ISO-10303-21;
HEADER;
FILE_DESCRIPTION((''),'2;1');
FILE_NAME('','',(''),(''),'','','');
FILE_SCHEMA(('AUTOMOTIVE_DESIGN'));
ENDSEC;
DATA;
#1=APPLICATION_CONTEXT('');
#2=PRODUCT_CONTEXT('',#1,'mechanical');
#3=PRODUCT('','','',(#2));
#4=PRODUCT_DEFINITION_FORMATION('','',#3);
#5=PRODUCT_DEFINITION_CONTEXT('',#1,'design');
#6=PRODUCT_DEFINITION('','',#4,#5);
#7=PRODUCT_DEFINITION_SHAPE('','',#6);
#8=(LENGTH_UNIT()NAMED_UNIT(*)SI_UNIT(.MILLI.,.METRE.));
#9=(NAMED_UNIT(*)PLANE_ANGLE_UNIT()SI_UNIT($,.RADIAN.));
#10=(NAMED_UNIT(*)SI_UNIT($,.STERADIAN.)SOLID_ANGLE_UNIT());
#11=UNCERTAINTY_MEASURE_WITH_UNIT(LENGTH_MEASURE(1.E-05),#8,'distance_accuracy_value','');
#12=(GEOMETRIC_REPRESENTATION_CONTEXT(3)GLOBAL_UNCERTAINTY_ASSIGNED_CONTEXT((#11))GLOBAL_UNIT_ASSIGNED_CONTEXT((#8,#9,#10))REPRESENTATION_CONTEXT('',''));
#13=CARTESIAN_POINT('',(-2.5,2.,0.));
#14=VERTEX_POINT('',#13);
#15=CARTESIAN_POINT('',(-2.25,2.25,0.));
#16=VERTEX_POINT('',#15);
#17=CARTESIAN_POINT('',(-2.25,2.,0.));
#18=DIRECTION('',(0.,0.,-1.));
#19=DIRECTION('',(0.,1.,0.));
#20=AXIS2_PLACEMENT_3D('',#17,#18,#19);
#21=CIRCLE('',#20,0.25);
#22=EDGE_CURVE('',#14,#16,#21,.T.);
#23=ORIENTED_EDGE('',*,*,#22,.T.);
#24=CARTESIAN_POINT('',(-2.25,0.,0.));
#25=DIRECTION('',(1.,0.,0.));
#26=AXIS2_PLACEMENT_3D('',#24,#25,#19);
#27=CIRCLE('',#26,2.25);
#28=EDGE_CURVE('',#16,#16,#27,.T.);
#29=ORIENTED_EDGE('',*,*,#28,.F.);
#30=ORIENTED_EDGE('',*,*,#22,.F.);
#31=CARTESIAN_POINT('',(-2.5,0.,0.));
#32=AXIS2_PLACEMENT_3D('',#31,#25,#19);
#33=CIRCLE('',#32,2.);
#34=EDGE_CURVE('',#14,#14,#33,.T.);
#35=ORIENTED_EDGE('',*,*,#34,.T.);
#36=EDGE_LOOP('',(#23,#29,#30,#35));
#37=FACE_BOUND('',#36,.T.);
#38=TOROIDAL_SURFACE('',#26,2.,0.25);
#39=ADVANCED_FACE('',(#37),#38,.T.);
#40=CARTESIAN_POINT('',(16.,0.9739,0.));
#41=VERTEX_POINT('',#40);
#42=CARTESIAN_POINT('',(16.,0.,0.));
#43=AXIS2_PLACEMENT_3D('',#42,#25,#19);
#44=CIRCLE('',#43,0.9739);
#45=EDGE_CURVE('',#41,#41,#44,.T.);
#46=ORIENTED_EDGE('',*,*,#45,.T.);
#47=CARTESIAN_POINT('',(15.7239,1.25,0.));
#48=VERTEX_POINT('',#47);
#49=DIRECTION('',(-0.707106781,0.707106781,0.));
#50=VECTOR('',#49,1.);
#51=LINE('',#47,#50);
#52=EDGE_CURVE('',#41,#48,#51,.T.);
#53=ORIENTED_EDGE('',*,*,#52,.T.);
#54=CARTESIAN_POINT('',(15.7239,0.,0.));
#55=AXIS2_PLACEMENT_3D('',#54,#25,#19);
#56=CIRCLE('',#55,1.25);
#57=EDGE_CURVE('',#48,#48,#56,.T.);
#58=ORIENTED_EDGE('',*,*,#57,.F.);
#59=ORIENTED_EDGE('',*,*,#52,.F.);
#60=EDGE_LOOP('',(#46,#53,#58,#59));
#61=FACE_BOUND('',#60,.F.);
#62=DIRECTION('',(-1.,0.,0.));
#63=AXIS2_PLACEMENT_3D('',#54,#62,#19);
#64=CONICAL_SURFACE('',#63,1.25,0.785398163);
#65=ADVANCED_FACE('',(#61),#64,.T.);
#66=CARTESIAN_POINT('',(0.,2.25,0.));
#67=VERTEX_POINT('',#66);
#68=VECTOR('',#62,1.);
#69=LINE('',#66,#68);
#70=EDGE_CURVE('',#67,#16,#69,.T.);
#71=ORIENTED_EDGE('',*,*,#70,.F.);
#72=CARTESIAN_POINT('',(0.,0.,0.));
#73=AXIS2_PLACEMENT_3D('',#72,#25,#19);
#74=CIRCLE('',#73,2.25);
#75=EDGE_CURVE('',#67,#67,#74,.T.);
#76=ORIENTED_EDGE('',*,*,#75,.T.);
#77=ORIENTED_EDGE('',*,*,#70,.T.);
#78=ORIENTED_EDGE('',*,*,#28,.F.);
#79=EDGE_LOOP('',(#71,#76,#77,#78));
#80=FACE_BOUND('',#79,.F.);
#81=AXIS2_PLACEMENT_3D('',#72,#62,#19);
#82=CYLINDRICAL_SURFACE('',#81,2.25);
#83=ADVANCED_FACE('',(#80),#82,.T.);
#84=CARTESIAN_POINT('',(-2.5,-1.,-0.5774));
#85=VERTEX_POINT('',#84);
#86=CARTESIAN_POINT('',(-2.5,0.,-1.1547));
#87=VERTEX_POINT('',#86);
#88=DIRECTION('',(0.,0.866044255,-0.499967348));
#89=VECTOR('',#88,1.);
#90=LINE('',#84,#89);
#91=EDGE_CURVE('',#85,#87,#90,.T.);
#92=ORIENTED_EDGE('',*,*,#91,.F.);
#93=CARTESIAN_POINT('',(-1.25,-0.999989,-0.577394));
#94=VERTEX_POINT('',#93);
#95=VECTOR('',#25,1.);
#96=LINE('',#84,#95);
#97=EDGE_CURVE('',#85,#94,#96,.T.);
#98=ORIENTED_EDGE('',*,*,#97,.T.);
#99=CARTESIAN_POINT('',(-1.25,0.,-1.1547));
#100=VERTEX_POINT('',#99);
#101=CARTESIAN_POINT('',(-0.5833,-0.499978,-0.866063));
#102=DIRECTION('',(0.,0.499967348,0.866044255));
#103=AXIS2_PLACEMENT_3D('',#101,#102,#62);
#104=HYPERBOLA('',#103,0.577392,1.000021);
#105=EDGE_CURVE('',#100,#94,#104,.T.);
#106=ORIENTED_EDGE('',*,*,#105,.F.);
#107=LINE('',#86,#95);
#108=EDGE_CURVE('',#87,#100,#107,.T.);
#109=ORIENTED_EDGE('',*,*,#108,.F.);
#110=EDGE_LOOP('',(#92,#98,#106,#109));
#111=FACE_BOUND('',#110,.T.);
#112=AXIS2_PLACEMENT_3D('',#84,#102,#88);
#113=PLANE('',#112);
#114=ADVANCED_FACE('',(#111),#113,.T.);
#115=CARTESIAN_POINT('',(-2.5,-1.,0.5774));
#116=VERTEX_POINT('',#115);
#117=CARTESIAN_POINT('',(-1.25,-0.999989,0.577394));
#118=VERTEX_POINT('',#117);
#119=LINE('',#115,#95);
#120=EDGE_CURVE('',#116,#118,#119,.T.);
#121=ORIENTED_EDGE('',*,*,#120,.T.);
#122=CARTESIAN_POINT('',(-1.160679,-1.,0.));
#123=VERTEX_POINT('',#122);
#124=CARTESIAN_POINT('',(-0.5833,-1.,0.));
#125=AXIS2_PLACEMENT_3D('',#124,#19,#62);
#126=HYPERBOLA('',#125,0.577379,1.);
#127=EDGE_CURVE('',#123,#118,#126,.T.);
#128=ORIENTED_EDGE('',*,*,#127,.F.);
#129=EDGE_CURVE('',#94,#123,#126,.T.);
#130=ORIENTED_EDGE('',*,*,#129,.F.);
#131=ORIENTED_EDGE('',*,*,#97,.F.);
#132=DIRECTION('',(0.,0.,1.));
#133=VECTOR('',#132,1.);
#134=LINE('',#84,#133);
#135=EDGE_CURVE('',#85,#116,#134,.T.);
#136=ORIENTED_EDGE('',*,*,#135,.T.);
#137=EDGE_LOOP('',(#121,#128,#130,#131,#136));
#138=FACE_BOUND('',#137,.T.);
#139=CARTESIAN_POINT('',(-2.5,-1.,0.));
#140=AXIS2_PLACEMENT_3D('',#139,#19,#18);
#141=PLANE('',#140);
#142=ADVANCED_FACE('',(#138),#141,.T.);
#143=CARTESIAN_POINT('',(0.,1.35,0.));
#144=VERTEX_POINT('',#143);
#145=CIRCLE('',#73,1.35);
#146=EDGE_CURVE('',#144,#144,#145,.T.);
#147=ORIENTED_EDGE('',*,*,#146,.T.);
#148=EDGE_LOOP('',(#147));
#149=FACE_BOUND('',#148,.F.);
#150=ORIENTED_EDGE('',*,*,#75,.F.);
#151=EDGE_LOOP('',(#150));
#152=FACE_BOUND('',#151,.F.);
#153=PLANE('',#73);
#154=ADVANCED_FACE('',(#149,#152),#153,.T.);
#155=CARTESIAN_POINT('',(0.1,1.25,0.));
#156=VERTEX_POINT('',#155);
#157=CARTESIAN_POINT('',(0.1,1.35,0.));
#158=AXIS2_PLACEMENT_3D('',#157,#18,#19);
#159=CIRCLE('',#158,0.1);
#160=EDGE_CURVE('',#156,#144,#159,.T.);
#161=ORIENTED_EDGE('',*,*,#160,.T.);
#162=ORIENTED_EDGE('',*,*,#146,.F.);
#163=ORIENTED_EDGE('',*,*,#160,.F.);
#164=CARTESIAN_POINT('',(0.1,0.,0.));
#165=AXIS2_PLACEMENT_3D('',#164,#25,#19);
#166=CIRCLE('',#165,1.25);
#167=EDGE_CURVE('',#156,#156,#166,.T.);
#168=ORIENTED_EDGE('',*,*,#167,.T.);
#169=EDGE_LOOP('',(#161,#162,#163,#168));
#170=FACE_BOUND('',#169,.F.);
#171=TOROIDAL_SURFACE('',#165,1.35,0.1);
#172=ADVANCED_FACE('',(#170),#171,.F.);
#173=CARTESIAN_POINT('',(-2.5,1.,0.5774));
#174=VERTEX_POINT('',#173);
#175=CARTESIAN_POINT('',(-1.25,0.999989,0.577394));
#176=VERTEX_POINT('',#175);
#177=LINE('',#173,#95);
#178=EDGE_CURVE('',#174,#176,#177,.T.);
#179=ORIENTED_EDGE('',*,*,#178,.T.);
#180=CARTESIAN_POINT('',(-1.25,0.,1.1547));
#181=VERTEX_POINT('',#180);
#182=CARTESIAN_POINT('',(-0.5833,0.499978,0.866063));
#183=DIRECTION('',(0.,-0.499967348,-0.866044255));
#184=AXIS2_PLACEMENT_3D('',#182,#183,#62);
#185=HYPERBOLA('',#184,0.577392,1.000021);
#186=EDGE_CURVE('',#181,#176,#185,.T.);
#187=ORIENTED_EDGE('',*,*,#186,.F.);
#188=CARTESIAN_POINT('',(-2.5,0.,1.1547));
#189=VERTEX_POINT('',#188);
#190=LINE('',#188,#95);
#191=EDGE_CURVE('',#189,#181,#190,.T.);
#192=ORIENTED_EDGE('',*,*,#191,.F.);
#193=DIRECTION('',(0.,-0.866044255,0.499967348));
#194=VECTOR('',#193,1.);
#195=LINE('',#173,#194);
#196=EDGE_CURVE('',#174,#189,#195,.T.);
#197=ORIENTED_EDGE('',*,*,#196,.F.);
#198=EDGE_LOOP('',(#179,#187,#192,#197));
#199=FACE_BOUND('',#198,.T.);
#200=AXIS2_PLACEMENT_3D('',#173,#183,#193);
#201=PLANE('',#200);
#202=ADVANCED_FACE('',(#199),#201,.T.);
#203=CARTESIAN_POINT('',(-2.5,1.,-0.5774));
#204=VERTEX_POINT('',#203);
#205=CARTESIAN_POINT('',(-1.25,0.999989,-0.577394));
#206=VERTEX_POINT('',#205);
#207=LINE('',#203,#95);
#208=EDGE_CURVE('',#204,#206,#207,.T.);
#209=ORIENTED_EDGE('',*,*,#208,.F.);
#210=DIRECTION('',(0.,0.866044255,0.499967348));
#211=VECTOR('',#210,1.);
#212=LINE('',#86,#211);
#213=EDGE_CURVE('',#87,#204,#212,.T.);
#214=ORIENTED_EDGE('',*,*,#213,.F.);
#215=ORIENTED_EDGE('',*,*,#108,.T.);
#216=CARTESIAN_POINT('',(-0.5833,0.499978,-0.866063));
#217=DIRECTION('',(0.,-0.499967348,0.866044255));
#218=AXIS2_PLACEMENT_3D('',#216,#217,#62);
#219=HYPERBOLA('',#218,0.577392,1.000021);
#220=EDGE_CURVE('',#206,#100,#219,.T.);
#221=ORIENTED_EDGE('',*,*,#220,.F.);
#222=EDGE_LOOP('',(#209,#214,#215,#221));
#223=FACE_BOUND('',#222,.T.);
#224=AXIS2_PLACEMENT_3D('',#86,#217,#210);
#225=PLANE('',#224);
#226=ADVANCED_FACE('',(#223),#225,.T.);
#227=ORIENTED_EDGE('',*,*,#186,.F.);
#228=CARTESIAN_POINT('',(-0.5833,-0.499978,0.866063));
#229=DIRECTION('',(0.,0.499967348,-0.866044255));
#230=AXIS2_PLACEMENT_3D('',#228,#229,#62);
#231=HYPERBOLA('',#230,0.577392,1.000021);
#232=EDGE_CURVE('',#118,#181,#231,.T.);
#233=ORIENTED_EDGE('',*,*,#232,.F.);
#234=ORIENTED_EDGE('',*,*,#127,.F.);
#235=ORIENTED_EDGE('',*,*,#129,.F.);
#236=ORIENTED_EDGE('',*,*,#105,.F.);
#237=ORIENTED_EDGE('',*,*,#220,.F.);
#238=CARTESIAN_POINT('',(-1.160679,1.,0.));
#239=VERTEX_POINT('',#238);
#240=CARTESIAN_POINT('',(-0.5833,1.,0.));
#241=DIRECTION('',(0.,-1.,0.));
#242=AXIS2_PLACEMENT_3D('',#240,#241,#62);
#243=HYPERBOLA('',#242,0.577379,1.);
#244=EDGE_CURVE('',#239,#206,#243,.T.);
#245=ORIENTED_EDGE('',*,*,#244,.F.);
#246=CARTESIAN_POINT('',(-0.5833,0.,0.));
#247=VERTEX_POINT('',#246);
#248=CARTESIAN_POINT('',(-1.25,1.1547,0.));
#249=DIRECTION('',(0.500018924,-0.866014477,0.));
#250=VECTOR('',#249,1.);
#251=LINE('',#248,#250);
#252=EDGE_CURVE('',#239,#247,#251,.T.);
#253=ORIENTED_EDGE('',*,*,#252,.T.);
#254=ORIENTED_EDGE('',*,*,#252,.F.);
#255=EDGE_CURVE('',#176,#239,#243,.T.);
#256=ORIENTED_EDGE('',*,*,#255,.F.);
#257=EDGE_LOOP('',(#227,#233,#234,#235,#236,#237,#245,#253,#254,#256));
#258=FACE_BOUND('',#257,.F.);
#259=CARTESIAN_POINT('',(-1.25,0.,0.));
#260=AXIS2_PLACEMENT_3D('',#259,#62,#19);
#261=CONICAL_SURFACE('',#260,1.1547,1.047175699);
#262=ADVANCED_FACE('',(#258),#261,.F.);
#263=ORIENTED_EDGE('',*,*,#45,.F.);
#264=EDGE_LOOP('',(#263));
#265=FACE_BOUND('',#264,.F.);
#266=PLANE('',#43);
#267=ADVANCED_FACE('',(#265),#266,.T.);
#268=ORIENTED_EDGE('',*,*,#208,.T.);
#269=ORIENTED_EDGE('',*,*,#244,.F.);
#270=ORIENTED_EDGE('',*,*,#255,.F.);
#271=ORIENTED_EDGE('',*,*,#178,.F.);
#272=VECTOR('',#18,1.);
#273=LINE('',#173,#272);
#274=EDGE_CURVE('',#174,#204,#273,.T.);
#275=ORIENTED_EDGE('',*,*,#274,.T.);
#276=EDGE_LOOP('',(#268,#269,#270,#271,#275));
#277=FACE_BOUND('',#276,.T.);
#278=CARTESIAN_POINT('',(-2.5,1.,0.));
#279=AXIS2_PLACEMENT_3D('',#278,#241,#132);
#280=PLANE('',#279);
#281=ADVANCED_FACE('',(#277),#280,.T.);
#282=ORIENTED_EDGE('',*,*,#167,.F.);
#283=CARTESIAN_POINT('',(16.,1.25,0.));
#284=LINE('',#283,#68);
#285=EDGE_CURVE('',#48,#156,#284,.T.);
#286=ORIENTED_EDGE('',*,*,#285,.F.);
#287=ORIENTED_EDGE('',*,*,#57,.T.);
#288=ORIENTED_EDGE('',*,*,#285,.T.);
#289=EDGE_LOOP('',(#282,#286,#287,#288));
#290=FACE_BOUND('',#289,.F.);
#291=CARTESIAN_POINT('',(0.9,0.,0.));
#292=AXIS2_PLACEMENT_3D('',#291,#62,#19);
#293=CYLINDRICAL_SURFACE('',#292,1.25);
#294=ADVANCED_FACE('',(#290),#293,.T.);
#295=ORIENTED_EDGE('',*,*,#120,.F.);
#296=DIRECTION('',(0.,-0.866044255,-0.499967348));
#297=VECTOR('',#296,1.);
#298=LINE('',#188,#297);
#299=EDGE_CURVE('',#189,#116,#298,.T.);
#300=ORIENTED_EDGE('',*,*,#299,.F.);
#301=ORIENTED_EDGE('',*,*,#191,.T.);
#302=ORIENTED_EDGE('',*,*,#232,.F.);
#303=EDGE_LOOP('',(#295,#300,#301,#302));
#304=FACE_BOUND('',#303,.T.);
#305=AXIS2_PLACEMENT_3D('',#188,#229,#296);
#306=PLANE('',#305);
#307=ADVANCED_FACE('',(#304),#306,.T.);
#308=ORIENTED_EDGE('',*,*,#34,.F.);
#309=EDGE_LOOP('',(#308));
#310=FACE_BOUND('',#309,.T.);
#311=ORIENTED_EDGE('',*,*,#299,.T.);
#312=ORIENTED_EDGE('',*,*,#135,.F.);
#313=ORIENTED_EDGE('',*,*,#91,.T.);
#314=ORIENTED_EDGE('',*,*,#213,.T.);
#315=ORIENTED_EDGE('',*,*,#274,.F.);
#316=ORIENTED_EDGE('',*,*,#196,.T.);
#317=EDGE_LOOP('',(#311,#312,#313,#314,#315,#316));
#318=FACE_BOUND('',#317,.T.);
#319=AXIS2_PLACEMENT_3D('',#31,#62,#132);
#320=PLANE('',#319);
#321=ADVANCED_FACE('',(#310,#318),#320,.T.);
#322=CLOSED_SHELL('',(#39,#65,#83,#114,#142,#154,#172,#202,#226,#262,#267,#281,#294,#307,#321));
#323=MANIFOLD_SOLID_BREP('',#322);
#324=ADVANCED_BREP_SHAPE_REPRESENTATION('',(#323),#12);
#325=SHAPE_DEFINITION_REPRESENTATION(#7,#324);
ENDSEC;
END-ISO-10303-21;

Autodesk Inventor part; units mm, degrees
ref_plane "YZ Plane" through (0, 0, 0) normal (1, 0, 0) x (0, 1, 0)
ref_plane "XZ Plane" through (0, 0, 0) normal (0, 1, 0) x (-1, 0, 0)
sketch "Sketch1" plane through (0, 0, 0) normal (0, 0, 1) x (1, 0, 0)
  line L0 (-0.5833, 0) -> (16, 0)
  line L1 (16, 0) -> (16, 1.25)
  line L2 (16, 1.25) -> (1.1761, 1.25)
  line L3 (1.1761, 1.25) -> (0.9, 1.25)
  line L4 (0.9, 1.25) -> (0, 1.25)
  line L5 (0, 1.25) -> (0, 2.25)
  line L6 (0, 2.25) -> (-2.5, 2.25)
  line L7 (-2.5, 2.25) -> (-2.5, 1.1547)
  line L8 (-2.5, 1.1547) -> (-1.25, 1.1547)
  line L9 (-1.25, 1.1547) -> (-0.5833, 0)
  line L10 (-6.2, 0) -> (19.7, 0) projected
  line L11 (0, -0.45) -> (0, 2.7) projected
  line L12 (1.1761, 1.25) -> (0, 1.25) construction
  dimension "d0" = 14.8239
  dimension "d1" = 0.2761
  dimension "d2" = 2.5
  dimension "d3" = 1.25
  dimension "d4" = 60
  dimension "d5" = 2.5
  dimension "d6" = 2.5
  dimension "d7" = 2.3094
  dimension "d8" = 4.5
  dimension "d19" = 16
revolve "Body" add sketch "Sketch1" angle 360 about axis through (-0.5833, 0, 0) along (1, 0, 0)
sketch "Sketch2" plane through (-2.5, 0, 0) normal (-1, 0, 0) x (0, 0, 1)
  circle A0 centre (0, 0) radius 1.1547 projected
  line L0 (0, -3.15) -> (0, 3.15) projected
  line L1 (-3.15, 0) -> (3.15, 0) projected
  line L2 (1.1547, 0) -> (0.5774, -1)
  line L3 (0.5774, -1) -> (-0.5774, -1)
  line L4 (-0.5774, -1) -> (-1.1547, 0)
  line L5 (-1.1547, 0) -> (-0.5774, 1)
  line L6 (-0.5774, 1) -> (0.5774, 1)
  line L7 (0.5774, 1) -> (1.1547, 0)
extrude "Slot" add sketch "Sketch2" against normal up to next contours L7 A0 | A0 L2 | L6 L0 A0 | A0 L0 L3 | L0 L6 A0 | A0 L3 L0 | L4 A0 | A0 L5
fillet "Fillet2" radius 0.25 1 edges at (-2.5, -2.25, 0)
thread "Thread" size "M2.5x0.45" class "6g" standard "ISO Metric profile" length 14.8239
chamfer "Chamfer1" distance 0.2761 distance2 0.2761 1 edges at (16, -1.25, 0) measured on face at (16, -0.3871, -0.3429)
fillet "Fillet1" radius 0.1 1 edges at (0, -1.25, 0)
ref_plane "Work Plane1" through (30, 0, 0) normal (0, -0.5, 0.866) x (1, 0, 0)
equation "\"d0\" = GEL"
equation "\"d1\" = GAL"
equation "\"d2\" = KOH"
equation "\"d3\" = INTI"
equation "\"d5\" = GD"
equation "\"d6\" = BDM"
equation "\"d7\" = 1.1547 * SW"
equation "\"d8\" = KOD"
equation "\"d19\" = NLG"
equation "\"d16\" = RR"
equation "\"d12\" = GEL"
equation "\"d14\" = -0.5 * SPD + 0.5 * GD"
equation "\"d15\" = GUL"
equation "\"d29\" = R"
equation "\"GD\" = NND"
equation "\"NLG\" = 16"
equation "\"GEL\" = 14.82395"
equation "\"KOD\" = 4.5"
equation "\"KOH\" = 2.5"
equation "\"INTI\" = 1.25"
equation "\"GAL\" = 0.61345 * PTC"
equation "\"GUL\" = 0.61345 * PTC"
equation "\"BDM\" = NND"
equation "\"SW\" = 2"
equation "\"RR\" = 0.25"
equation "\"SPD\" = 1.94789"
equation "\"d28\" = R"
equation "\"R\" = 0.1"
equation "\"TOA\" = 30deg"
equation "\"THREADDIA\" = 2.5"
equation "\"KOD1\" = KOD"
equation "\"PTC\" = 0.45"
equation "\"NND\" = 2.5"
equation "\"E0\" = 1.155 * SW"
equation "\"GD1\" = THREADDIA - 1.2269 * PTC"
properties part number "ANSI B18.3.1M - M2,5x0,45 x 16" material "Steel, Mild"
